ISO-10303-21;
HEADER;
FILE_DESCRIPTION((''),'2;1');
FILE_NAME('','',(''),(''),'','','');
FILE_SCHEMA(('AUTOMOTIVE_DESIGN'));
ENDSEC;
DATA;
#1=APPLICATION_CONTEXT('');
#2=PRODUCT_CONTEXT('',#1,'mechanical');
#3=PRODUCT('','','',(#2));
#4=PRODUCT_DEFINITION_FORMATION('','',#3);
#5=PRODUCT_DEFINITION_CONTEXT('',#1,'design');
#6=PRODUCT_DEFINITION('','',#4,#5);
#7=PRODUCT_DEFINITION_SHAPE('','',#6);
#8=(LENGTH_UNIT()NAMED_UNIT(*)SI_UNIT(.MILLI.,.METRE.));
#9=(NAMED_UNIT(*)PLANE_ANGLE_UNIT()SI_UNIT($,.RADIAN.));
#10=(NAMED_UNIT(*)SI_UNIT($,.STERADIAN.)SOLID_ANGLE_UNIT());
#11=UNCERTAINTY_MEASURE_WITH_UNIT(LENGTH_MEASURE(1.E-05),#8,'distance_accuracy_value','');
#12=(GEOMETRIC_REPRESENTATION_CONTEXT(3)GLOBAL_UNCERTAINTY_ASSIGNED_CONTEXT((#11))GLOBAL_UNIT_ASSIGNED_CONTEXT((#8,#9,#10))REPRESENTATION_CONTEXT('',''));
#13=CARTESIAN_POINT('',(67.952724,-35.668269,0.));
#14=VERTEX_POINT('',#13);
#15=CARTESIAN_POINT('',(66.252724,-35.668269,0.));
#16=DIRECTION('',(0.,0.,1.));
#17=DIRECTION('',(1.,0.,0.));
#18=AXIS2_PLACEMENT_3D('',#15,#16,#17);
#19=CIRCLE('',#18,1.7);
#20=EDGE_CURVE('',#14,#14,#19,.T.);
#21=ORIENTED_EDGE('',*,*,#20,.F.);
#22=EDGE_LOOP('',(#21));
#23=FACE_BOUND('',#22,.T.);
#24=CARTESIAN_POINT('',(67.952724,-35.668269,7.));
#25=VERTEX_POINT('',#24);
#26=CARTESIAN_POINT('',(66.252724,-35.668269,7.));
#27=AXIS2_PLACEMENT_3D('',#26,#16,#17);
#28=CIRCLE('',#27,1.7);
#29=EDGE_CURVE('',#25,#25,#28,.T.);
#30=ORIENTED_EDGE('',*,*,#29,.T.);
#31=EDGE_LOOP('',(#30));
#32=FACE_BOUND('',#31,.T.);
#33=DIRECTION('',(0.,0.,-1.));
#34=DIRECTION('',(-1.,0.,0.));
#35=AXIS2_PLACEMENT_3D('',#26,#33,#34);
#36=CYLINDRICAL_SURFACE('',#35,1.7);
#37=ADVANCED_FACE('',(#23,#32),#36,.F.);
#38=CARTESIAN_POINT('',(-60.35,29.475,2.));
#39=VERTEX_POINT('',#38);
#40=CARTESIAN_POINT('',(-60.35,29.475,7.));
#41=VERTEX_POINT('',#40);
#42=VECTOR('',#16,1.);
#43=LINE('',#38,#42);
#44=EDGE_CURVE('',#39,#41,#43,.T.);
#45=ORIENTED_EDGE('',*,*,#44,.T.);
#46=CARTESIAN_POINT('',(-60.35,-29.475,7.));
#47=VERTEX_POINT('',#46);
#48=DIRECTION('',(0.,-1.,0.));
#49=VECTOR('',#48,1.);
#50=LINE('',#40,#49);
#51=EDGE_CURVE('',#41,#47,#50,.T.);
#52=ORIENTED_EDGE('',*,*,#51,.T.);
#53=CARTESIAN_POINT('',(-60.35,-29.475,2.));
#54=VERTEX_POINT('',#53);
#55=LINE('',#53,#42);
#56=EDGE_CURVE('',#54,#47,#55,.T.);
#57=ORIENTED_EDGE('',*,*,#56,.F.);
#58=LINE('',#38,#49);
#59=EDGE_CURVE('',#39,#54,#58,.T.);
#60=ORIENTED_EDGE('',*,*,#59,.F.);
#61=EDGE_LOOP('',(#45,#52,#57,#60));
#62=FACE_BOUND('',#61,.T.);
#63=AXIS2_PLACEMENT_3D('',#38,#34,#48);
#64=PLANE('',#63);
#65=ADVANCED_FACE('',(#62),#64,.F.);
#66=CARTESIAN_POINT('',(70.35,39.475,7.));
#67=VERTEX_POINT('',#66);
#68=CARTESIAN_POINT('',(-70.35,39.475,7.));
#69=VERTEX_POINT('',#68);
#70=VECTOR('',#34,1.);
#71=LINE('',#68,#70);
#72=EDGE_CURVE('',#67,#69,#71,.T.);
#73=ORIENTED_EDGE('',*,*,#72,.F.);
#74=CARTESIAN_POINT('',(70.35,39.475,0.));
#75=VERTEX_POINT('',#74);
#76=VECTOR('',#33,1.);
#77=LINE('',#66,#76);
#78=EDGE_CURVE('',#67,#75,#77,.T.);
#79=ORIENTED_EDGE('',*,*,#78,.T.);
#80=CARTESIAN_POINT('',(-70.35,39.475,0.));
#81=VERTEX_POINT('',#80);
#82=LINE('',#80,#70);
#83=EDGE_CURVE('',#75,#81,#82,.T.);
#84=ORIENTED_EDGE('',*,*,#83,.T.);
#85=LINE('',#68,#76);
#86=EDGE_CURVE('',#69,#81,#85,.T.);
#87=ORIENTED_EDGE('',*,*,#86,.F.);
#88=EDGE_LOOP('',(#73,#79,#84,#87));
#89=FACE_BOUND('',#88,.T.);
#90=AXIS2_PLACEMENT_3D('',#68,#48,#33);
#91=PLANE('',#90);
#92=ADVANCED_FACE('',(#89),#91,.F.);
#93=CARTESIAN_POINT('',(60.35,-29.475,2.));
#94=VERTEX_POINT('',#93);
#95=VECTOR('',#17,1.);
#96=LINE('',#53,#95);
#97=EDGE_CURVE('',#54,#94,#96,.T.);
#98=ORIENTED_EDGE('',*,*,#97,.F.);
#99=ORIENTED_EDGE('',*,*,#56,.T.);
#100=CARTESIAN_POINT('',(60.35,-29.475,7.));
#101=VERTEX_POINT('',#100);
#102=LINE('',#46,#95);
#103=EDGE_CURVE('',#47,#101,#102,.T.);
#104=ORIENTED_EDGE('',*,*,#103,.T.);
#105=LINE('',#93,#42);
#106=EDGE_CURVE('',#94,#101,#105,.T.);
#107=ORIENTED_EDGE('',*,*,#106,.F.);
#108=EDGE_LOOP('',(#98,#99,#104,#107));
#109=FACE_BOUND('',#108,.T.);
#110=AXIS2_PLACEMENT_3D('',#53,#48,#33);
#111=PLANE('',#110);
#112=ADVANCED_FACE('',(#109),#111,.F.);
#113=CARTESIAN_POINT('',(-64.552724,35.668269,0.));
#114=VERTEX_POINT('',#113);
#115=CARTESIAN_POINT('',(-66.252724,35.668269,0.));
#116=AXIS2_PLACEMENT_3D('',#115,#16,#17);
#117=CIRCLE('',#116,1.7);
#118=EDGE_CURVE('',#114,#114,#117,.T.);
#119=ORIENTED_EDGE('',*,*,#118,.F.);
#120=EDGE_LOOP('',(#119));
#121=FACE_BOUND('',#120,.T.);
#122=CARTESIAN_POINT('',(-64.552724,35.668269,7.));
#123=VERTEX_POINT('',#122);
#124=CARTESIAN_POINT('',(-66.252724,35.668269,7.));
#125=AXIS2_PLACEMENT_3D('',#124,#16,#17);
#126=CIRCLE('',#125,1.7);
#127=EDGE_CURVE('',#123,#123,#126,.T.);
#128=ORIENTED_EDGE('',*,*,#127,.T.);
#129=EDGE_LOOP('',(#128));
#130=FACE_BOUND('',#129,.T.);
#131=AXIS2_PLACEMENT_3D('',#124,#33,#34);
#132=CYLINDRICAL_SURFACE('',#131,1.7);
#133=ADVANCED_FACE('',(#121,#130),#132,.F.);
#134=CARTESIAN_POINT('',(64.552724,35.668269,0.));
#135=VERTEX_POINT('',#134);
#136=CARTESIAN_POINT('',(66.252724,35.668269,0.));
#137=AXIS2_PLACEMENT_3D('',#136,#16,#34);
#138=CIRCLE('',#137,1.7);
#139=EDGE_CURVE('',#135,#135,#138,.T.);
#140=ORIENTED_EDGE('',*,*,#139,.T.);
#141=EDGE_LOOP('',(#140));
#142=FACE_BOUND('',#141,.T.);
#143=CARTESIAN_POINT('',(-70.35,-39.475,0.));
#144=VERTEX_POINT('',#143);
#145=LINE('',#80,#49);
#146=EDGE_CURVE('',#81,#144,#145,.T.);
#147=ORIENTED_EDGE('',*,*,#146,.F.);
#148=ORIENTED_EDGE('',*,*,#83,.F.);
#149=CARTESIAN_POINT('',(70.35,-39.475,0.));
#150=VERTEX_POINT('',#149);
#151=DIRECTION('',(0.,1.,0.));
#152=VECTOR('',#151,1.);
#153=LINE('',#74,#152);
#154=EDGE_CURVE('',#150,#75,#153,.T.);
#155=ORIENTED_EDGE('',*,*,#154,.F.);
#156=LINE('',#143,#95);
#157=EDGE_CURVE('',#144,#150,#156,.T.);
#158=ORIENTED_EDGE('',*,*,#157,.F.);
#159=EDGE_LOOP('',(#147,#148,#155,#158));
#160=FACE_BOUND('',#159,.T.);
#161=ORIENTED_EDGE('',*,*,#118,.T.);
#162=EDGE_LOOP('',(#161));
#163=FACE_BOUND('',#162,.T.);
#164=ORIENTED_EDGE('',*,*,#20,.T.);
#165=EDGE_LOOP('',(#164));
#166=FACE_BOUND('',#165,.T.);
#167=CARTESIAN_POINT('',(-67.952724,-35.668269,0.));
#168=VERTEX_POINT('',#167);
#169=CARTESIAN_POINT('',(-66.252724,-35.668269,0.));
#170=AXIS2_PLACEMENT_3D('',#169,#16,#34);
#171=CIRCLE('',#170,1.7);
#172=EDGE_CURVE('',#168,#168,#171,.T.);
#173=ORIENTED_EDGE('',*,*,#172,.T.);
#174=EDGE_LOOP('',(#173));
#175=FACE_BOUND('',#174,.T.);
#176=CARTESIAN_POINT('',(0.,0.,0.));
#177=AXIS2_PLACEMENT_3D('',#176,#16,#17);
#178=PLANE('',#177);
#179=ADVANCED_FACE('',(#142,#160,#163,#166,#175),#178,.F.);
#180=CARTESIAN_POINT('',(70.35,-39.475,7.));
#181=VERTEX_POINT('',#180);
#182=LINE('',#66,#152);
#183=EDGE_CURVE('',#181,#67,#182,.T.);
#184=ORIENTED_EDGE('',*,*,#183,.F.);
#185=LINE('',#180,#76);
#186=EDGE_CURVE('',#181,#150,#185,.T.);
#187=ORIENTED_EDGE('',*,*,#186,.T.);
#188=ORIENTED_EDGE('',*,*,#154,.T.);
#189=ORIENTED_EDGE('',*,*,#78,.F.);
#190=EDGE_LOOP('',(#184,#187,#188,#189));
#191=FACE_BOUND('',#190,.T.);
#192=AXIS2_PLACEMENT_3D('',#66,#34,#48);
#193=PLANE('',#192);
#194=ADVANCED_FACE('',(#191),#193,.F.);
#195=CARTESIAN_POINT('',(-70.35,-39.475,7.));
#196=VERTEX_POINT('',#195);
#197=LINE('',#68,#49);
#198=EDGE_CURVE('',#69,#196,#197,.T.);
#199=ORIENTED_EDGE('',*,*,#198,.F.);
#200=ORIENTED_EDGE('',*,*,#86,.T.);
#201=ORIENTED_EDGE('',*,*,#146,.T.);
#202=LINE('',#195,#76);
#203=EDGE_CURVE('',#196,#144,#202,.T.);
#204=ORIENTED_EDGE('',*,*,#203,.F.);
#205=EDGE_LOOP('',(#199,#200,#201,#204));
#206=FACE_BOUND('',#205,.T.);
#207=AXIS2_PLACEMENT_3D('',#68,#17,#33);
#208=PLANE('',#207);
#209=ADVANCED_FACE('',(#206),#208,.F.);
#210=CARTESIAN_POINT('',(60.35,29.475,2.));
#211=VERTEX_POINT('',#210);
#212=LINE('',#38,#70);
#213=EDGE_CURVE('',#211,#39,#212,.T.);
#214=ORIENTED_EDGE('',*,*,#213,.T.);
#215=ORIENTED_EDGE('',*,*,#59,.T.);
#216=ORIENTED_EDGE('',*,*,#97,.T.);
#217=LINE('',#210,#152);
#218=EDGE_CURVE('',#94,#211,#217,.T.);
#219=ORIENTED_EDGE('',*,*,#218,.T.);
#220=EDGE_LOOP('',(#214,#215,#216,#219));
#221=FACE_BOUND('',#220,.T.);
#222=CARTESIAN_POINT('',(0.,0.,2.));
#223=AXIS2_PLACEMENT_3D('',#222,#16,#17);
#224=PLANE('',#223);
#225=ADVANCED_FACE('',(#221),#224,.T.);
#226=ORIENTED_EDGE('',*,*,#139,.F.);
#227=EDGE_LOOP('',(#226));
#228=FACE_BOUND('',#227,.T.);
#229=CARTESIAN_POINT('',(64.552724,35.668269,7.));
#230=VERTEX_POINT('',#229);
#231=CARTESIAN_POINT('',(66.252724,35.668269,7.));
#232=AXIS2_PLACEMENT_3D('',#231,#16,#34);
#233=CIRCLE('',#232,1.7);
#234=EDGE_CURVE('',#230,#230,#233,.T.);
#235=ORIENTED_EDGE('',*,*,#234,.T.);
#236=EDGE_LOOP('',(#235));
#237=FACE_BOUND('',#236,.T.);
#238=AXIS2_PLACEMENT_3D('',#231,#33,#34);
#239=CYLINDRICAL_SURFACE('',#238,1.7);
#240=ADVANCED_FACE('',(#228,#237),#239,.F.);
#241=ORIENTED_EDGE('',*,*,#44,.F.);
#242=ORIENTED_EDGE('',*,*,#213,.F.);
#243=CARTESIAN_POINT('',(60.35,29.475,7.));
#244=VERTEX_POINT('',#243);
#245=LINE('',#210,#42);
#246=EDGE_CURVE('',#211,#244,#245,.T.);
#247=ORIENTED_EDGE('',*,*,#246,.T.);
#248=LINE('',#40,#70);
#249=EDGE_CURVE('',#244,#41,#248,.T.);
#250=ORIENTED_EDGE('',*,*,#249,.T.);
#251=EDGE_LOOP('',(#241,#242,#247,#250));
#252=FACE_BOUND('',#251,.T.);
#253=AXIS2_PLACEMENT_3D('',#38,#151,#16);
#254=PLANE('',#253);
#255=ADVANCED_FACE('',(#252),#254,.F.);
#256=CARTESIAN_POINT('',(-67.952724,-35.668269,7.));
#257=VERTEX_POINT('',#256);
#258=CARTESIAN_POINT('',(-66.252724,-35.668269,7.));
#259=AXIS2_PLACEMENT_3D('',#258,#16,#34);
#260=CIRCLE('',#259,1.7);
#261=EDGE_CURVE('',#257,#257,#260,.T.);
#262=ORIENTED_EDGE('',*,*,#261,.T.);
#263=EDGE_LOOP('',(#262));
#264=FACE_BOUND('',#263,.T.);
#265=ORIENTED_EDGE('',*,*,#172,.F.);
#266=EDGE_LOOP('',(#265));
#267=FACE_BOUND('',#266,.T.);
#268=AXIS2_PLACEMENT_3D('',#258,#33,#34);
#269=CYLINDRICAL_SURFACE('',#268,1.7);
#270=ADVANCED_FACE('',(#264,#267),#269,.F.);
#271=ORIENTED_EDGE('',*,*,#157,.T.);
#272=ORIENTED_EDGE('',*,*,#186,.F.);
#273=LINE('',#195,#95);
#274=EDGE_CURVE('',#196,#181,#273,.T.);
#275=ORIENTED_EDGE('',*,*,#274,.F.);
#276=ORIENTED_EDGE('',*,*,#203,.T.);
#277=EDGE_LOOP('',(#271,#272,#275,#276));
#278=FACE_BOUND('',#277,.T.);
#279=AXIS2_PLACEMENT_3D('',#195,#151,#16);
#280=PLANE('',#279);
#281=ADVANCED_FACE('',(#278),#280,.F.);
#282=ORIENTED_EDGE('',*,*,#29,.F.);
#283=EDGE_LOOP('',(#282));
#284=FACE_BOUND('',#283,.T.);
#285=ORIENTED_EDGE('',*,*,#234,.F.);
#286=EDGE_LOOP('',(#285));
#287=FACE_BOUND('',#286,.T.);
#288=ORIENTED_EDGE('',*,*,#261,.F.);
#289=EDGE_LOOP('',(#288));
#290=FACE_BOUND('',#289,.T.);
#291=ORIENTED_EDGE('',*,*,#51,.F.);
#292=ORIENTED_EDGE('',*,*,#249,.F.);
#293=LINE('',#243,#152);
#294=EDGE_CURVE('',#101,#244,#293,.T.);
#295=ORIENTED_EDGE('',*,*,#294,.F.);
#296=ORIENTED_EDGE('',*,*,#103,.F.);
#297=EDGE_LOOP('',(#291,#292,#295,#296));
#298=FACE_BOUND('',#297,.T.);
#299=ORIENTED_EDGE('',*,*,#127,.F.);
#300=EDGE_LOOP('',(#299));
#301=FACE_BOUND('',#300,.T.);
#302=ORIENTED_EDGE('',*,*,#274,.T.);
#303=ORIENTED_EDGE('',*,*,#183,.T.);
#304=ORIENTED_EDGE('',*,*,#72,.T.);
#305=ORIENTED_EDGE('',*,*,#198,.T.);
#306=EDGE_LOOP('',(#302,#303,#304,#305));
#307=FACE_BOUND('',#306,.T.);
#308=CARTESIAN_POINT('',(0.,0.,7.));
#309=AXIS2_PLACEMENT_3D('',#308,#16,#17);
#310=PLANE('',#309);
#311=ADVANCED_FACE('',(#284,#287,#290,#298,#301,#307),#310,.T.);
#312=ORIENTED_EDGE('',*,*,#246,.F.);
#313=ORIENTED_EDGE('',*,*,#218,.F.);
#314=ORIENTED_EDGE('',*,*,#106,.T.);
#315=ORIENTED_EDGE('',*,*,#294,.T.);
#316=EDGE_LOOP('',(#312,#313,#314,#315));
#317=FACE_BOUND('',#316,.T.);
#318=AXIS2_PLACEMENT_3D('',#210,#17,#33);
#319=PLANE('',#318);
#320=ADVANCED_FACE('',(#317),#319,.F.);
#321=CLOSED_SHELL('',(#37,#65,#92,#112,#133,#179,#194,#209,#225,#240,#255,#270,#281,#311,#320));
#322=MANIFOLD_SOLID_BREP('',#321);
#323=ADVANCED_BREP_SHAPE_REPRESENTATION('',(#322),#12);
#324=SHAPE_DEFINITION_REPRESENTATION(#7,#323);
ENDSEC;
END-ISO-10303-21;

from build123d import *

# Parameters (mm, degrees)
SKETCH_1_W          = 140.7
SKETCH_1_H          = 78.95
SKETCH_1_R          = 1.7
EXTRUDE_1_DEPTH     = 7
SKETCH_2_W          = 120.7
SKETCH_2_H          = 58.95
CUT_EXTRUDE_1_DEPTH = 5


with BuildPart() as part:
    # 草图1 → 凸台-拉伸1 (new body)
    with BuildSketch(Plane.XY):
        Rectangle(SKETCH_1_W, SKETCH_1_H)
        with Locations((-66.25272379, 35.66826865)):
            Circle(SKETCH_1_R, mode=Mode.SUBTRACT)
        with Locations(Location((66.25272379, 35.66826865, 0), (0, 0, 180))):
            Circle(SKETCH_1_R, mode=Mode.SUBTRACT)
        with Locations((66.25272379, -35.66826865)):
            Circle(SKETCH_1_R, mode=Mode.SUBTRACT)
        with Locations(Location((-66.25272379, -35.66826865, 0), (0, 0, 180))):
            Circle(SKETCH_1_R, mode=Mode.SUBTRACT)
    extrude(amount=EXTRUDE_1_DEPTH)

    # 草图2 → 切除-拉伸1 (cut)
    with BuildSketch(Plane.XY.offset(7)):
        Rectangle(SKETCH_2_W, SKETCH_2_H)
    extrude(amount=-CUT_EXTRUDE_1_DEPTH, mode=Mode.SUBTRACT)


solid = part.part
